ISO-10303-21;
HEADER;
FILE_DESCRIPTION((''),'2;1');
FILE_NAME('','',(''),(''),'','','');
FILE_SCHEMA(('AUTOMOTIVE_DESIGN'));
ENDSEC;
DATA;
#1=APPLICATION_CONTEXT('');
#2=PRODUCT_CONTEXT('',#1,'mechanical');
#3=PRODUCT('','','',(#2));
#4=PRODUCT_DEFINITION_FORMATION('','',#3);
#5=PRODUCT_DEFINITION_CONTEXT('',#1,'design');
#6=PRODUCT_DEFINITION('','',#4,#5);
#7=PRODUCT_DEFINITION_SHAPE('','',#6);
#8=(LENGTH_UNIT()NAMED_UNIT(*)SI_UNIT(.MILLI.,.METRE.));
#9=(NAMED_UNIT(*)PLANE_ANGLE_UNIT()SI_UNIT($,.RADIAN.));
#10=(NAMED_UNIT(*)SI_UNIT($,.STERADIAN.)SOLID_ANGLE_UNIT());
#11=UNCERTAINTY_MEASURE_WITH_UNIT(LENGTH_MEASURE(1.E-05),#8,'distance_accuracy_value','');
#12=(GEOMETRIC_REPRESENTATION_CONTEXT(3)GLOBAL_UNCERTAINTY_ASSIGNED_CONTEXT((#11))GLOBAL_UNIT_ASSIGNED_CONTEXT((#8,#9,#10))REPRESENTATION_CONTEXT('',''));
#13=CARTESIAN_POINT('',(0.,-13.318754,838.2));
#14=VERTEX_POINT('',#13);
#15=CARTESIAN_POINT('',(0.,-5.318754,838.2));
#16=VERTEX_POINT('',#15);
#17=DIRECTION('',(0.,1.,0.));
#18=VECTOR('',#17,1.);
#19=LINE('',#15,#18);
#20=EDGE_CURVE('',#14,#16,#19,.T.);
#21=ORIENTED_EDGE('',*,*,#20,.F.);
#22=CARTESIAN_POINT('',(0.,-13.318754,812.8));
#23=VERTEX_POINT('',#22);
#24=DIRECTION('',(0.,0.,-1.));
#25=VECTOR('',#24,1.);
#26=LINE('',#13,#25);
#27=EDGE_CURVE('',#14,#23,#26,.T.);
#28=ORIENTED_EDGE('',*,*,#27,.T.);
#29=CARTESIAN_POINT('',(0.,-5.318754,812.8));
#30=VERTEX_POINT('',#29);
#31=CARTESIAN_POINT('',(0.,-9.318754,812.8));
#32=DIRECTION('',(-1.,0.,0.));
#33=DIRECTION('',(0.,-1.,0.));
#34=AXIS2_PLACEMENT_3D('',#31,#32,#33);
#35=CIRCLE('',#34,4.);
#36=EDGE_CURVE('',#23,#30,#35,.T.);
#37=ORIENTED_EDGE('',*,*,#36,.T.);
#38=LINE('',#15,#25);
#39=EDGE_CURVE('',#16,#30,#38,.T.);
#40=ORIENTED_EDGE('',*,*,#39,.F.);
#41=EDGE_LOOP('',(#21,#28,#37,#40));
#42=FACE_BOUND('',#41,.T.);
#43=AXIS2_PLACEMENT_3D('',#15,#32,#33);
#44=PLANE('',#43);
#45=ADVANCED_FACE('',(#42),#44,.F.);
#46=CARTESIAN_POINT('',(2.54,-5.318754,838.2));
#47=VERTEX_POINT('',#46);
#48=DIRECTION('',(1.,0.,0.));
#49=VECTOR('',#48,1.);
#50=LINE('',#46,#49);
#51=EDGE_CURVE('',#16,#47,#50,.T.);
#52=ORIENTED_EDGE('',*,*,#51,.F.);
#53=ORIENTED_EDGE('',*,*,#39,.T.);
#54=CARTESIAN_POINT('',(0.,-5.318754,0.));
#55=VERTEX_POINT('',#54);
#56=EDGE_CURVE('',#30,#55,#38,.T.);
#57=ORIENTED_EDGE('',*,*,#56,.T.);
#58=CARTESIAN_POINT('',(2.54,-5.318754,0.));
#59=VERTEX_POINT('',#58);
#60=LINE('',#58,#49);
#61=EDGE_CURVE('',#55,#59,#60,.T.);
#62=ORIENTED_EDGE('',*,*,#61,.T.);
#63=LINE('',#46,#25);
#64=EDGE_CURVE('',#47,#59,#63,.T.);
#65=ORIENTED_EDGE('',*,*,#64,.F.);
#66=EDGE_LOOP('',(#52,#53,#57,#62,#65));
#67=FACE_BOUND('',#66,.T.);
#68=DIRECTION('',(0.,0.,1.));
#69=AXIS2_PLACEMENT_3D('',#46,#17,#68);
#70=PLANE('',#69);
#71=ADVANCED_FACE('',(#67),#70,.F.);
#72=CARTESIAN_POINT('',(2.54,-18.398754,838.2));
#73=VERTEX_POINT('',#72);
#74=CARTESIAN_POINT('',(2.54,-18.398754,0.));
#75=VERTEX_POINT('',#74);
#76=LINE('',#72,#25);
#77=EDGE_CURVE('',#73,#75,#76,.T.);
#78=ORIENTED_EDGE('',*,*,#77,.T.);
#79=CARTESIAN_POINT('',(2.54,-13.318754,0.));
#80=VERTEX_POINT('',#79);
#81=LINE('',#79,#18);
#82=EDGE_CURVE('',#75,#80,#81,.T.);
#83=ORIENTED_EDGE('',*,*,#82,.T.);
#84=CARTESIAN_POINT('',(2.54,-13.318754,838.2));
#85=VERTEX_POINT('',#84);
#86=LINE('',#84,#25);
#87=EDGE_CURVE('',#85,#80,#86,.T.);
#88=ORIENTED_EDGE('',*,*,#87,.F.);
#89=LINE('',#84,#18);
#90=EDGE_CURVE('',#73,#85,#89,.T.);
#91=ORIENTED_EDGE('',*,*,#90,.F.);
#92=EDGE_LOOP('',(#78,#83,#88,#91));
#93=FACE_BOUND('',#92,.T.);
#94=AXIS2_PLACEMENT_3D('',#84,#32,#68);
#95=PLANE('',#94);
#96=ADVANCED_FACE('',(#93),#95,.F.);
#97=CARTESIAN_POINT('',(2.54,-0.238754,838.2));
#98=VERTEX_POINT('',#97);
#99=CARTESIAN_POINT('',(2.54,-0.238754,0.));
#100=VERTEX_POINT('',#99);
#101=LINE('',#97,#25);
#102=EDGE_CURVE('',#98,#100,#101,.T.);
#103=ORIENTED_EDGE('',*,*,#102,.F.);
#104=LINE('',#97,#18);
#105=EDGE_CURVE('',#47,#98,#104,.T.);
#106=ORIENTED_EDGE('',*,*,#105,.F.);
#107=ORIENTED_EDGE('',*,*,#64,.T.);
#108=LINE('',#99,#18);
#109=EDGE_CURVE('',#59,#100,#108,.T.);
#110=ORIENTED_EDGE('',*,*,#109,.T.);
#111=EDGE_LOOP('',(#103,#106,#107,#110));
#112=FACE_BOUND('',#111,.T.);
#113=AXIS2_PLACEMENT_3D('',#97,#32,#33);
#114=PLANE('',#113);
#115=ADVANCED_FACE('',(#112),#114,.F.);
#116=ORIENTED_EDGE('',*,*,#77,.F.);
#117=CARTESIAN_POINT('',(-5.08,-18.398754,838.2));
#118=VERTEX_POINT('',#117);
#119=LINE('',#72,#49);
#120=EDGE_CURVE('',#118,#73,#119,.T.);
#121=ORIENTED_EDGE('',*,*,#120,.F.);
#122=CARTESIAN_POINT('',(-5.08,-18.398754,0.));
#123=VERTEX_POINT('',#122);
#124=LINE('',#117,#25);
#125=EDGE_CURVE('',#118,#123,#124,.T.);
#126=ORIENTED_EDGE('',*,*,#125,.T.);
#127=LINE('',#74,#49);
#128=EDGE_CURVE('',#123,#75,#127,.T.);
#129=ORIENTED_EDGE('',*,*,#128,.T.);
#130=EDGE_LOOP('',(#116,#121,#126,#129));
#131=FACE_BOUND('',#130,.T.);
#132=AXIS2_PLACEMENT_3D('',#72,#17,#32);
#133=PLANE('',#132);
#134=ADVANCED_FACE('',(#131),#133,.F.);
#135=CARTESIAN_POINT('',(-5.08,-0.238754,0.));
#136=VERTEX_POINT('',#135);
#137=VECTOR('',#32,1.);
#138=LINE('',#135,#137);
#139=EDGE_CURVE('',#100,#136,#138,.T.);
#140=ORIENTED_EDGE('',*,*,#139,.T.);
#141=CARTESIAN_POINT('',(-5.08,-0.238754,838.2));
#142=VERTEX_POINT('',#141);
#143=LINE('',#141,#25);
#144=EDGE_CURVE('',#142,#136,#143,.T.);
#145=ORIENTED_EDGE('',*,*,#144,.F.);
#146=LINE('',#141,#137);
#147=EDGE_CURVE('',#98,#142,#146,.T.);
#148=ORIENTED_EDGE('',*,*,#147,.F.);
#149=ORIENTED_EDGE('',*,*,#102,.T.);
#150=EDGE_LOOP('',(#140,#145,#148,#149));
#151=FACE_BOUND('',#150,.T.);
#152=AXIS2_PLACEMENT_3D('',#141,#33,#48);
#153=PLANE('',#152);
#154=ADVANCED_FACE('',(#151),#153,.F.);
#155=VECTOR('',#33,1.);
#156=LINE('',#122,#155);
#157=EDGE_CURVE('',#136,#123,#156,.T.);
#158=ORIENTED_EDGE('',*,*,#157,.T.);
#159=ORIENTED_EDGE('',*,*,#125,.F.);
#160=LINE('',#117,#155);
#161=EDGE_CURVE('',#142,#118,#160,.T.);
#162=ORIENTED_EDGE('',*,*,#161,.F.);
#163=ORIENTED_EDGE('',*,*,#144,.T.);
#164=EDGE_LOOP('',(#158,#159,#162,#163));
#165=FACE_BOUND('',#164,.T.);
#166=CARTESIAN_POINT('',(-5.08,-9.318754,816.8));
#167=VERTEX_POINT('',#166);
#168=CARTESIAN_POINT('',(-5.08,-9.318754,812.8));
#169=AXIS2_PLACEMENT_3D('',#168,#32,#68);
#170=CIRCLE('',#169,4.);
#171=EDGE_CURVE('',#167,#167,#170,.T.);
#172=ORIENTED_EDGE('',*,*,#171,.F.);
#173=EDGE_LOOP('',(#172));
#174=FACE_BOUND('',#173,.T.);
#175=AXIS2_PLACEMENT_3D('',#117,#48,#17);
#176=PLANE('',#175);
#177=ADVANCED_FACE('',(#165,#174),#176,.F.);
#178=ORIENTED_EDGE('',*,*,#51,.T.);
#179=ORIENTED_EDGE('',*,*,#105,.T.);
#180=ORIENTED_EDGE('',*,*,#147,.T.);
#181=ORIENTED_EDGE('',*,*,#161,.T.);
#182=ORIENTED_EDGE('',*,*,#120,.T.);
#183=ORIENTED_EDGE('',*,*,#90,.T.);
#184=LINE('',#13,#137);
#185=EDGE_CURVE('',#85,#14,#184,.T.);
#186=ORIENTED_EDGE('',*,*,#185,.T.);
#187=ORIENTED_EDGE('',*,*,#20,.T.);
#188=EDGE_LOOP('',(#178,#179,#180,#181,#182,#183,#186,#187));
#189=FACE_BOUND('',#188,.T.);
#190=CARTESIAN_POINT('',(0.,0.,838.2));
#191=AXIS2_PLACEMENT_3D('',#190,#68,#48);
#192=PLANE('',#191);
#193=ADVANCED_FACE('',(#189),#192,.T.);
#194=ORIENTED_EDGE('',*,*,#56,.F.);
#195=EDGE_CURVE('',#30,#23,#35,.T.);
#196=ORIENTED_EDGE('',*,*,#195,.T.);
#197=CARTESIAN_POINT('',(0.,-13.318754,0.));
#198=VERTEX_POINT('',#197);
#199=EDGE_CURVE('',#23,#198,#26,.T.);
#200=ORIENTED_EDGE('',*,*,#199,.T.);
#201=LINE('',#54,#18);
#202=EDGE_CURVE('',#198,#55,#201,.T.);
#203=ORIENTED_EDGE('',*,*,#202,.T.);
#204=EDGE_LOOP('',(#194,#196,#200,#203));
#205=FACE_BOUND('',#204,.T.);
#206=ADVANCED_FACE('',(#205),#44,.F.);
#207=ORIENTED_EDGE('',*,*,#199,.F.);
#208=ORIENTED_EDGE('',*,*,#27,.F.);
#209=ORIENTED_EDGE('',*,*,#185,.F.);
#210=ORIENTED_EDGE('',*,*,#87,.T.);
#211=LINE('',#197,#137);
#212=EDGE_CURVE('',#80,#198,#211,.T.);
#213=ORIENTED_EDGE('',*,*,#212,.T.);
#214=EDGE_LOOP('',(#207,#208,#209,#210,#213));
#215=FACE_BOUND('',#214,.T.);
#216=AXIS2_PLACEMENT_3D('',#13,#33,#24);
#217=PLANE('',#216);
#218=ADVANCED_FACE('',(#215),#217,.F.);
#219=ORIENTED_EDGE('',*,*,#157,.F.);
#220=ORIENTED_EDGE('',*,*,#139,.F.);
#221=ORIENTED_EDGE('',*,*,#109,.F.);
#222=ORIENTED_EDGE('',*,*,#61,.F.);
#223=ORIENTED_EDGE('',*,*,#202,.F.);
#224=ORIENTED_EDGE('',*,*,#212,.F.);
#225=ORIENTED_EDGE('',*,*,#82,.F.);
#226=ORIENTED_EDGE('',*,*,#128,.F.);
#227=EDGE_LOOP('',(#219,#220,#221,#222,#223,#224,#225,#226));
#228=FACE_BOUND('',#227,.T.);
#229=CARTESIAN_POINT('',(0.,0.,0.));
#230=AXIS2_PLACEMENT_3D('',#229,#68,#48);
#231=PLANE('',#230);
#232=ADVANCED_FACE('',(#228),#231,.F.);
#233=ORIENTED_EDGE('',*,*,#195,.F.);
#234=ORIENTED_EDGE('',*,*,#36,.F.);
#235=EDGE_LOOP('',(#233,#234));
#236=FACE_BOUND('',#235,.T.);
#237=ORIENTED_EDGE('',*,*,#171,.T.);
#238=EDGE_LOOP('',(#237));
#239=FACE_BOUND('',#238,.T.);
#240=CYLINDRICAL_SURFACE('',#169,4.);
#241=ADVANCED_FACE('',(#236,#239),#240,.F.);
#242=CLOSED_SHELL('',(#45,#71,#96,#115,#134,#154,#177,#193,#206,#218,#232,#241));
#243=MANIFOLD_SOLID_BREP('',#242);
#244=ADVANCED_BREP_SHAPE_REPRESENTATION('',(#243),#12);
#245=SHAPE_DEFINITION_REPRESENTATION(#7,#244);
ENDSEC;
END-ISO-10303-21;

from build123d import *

# Parameters (mm, degrees)
BOSS_EXTRUDE1_DEPTH   = 838.2
F_8_0MM_DOWEL_HOLE1_D = 8


with BuildPart() as part:
    # Sketch1 → Boss-Extrude1 (new body)
    with BuildSketch(Plane.XY):
        Polygon((0, -5.318754457), (0, -13.318754457), (2.54, -13.318754457), (2.54, -18.398754457), (-5.08, -18.398754457), (-5.08, -0.238754457), (2.54, -0.238754457), (2.54, -5.318754457), align=None)
    extrude(amount=BOSS_EXTRUDE1_DEPTH)

    # Ø8.0mm Dowel Hole1 (through all)
    with Locations(Plane.ZY.offset(5.08)):
        with Locations((812.8, -9.318754457), (28.049203363, -40.337204001)):
            Hole(F_8_0MM_DOWEL_HOLE1_D / 2)


solid = part.part
